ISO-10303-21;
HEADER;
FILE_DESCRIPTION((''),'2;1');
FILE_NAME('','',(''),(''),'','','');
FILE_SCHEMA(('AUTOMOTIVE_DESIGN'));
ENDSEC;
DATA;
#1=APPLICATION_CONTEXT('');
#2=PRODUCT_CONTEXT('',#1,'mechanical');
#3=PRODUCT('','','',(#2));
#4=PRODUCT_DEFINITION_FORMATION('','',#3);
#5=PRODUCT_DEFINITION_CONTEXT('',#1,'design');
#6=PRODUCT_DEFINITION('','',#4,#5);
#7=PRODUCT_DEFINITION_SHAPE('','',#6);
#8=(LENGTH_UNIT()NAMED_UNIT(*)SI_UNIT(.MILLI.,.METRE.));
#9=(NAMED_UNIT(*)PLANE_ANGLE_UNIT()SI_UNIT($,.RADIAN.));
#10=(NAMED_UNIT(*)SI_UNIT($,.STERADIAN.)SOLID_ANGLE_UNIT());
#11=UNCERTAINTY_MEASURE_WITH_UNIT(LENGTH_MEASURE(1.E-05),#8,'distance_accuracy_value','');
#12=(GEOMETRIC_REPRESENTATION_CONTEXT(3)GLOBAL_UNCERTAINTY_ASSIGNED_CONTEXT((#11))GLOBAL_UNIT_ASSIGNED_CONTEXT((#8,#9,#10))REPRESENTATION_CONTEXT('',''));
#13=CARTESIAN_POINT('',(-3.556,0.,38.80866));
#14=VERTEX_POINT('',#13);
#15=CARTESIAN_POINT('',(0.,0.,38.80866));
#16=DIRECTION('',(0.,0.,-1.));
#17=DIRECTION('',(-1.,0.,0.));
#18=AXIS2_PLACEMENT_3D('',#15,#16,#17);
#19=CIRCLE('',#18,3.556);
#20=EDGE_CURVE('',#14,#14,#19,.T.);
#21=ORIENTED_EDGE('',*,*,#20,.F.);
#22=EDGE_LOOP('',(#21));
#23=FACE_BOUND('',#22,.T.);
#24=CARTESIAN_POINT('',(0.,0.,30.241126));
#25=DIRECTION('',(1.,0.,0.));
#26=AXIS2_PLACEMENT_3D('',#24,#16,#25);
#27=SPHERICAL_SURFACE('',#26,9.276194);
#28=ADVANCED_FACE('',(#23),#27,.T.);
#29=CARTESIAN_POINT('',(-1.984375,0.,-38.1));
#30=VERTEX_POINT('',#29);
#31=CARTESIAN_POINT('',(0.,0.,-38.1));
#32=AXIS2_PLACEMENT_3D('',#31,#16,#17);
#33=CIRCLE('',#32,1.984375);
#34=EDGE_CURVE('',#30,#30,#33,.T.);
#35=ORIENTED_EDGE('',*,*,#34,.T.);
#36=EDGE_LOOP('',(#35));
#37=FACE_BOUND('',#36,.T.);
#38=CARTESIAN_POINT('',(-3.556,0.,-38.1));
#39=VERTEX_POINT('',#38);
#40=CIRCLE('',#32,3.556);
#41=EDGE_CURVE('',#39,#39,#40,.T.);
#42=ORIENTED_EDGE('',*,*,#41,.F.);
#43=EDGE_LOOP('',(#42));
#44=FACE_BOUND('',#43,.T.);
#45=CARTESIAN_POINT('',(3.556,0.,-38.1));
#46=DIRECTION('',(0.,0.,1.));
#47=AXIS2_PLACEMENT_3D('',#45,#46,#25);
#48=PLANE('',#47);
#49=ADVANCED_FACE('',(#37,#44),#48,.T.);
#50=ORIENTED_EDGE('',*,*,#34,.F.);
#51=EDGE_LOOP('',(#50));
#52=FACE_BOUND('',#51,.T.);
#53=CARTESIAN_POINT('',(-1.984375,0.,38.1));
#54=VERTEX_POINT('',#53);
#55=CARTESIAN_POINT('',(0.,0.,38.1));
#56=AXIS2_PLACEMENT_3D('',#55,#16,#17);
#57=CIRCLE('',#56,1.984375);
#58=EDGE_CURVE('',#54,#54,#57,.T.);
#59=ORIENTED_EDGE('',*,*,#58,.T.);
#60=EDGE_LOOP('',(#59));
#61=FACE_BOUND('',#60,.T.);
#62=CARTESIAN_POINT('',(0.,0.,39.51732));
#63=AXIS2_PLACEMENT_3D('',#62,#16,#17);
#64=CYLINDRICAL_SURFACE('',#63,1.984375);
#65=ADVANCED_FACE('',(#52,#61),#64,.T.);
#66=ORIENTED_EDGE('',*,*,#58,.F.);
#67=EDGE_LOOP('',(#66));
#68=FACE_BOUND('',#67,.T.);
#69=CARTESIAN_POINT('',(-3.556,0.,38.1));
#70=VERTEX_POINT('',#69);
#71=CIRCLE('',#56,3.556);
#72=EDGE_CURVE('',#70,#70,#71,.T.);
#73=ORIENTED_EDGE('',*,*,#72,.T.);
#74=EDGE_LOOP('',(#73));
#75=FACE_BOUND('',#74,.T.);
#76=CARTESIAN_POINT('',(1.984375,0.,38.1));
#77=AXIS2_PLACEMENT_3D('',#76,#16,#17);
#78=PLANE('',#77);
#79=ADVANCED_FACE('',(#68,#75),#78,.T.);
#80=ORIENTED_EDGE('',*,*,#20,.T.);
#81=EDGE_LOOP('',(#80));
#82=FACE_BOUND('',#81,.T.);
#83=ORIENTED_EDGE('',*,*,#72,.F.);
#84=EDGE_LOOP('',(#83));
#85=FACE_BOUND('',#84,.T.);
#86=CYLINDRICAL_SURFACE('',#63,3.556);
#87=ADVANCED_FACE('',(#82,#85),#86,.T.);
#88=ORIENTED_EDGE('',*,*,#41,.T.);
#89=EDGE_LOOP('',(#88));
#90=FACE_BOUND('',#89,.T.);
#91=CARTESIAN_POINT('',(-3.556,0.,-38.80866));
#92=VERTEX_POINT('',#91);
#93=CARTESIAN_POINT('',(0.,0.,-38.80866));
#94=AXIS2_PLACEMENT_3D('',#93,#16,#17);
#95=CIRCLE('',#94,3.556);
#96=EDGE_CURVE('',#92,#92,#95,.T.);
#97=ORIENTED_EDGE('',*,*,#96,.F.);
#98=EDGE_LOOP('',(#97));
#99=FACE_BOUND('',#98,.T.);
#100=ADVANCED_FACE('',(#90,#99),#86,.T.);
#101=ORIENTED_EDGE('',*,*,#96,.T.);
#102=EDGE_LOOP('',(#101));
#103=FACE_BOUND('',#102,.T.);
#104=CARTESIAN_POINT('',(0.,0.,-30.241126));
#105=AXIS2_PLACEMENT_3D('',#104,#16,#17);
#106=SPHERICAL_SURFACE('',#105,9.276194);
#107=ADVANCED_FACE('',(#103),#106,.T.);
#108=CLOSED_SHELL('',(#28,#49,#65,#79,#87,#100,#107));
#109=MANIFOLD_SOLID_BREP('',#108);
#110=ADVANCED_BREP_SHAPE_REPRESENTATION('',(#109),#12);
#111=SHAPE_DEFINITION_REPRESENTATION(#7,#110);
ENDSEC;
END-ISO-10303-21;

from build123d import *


with BuildPart() as part:
    # Sketch1 → Revolve1 (revolve)
    with BuildSketch(Plane.XZ):
        with BuildLine():
            Line((0, 39.51732), (0, -39.51732))
            ThreePointArc((0, -39.51732), (1.812962699, -39.338430068), (3.556, -38.80866))
            Line((3.556, -38.80866), (3.556, -38.1))
            Line((3.556, -38.1), (1.984375, -38.1))
            Line((1.984375, -38.1), (1.984375, 38.1))
            Line((1.984375, 38.1), (3.556, 38.1))
            Line((3.556, 38.1), (3.556, 38.80866))
            ThreePointArc((3.556, 38.80866), (1.812962699, 39.338430068), (0, 39.51732))
        make_face()
    revolve(axis=Axis((0, 0, 39.51732), (0, 0, -1)))


solid = part.part
